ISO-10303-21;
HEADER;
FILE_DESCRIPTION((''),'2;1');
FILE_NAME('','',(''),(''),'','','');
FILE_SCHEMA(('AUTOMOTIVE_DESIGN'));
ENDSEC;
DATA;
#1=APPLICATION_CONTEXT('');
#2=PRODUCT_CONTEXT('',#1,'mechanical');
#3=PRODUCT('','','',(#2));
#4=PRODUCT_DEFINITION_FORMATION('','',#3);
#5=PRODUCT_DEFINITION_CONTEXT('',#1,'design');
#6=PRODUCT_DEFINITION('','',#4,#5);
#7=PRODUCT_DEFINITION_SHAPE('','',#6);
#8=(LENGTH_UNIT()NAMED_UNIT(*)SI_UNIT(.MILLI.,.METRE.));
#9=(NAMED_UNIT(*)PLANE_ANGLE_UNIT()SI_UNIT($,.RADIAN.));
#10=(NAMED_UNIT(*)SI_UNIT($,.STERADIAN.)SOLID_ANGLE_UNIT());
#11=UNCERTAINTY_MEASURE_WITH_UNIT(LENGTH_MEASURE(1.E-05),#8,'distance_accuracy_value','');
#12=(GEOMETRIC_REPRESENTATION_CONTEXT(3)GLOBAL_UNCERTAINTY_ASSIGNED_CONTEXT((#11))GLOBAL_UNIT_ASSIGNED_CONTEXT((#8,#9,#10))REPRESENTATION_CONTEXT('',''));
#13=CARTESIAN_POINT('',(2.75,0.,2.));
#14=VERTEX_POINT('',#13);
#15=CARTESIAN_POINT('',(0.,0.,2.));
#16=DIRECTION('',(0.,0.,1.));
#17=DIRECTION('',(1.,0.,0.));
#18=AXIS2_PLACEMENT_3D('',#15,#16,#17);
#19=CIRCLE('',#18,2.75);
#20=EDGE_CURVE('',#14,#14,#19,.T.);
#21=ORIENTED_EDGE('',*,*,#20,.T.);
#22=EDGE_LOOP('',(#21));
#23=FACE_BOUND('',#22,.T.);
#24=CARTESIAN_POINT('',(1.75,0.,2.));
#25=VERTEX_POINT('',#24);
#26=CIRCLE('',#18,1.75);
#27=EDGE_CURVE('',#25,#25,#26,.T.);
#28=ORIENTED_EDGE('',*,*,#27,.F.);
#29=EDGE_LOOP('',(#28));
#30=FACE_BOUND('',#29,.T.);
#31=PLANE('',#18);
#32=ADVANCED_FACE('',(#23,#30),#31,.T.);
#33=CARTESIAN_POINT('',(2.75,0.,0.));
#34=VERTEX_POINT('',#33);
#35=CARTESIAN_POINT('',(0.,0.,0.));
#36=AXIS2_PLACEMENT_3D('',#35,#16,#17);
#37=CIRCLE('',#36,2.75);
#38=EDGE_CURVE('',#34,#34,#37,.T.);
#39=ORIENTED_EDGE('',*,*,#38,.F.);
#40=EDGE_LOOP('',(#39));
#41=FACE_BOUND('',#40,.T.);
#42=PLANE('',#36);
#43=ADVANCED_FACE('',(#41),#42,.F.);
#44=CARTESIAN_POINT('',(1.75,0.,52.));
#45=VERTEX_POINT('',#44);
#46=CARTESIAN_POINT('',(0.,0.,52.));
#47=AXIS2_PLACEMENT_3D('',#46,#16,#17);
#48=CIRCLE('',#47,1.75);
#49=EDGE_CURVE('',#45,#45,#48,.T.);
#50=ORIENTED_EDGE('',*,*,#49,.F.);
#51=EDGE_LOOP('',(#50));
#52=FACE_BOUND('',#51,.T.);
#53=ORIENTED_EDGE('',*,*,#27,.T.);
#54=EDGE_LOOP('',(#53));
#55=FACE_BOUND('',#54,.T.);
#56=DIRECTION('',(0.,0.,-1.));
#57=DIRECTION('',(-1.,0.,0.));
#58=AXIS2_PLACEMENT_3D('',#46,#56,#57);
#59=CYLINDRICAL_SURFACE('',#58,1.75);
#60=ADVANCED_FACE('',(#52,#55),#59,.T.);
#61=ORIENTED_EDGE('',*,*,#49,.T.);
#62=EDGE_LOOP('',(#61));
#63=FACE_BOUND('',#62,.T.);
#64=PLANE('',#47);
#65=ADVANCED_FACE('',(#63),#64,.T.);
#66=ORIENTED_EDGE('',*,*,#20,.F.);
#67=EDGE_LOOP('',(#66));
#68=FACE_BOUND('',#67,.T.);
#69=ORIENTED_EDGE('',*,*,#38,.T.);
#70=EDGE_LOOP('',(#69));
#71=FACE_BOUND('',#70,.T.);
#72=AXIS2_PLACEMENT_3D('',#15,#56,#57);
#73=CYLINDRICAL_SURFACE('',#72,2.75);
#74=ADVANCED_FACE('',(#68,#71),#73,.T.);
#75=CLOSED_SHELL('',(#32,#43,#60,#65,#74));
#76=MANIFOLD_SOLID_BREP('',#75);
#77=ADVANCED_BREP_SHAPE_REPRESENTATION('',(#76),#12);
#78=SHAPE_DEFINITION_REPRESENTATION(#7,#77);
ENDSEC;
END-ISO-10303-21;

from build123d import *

# Parameters (mm, degrees)
SKETCH_1_R      = 2.75
EXTRUDE_1_DEPTH = 2
SKETCH_2_R      = 1.75
EXTRUDE_2_DEPTH = 50


with BuildPart() as part:
    # 草圖1 → 伸長1 (new body)
    with BuildSketch(Plane.XY):
        Circle(SKETCH_1_R)
    extrude(amount=EXTRUDE_1_DEPTH)

    # 草圖2 → 伸長2 (add)
    with BuildSketch(Plane.XY.offset(2)):
        Circle(SKETCH_2_R)
    extrude(amount=EXTRUDE_2_DEPTH)


solid = part.part
